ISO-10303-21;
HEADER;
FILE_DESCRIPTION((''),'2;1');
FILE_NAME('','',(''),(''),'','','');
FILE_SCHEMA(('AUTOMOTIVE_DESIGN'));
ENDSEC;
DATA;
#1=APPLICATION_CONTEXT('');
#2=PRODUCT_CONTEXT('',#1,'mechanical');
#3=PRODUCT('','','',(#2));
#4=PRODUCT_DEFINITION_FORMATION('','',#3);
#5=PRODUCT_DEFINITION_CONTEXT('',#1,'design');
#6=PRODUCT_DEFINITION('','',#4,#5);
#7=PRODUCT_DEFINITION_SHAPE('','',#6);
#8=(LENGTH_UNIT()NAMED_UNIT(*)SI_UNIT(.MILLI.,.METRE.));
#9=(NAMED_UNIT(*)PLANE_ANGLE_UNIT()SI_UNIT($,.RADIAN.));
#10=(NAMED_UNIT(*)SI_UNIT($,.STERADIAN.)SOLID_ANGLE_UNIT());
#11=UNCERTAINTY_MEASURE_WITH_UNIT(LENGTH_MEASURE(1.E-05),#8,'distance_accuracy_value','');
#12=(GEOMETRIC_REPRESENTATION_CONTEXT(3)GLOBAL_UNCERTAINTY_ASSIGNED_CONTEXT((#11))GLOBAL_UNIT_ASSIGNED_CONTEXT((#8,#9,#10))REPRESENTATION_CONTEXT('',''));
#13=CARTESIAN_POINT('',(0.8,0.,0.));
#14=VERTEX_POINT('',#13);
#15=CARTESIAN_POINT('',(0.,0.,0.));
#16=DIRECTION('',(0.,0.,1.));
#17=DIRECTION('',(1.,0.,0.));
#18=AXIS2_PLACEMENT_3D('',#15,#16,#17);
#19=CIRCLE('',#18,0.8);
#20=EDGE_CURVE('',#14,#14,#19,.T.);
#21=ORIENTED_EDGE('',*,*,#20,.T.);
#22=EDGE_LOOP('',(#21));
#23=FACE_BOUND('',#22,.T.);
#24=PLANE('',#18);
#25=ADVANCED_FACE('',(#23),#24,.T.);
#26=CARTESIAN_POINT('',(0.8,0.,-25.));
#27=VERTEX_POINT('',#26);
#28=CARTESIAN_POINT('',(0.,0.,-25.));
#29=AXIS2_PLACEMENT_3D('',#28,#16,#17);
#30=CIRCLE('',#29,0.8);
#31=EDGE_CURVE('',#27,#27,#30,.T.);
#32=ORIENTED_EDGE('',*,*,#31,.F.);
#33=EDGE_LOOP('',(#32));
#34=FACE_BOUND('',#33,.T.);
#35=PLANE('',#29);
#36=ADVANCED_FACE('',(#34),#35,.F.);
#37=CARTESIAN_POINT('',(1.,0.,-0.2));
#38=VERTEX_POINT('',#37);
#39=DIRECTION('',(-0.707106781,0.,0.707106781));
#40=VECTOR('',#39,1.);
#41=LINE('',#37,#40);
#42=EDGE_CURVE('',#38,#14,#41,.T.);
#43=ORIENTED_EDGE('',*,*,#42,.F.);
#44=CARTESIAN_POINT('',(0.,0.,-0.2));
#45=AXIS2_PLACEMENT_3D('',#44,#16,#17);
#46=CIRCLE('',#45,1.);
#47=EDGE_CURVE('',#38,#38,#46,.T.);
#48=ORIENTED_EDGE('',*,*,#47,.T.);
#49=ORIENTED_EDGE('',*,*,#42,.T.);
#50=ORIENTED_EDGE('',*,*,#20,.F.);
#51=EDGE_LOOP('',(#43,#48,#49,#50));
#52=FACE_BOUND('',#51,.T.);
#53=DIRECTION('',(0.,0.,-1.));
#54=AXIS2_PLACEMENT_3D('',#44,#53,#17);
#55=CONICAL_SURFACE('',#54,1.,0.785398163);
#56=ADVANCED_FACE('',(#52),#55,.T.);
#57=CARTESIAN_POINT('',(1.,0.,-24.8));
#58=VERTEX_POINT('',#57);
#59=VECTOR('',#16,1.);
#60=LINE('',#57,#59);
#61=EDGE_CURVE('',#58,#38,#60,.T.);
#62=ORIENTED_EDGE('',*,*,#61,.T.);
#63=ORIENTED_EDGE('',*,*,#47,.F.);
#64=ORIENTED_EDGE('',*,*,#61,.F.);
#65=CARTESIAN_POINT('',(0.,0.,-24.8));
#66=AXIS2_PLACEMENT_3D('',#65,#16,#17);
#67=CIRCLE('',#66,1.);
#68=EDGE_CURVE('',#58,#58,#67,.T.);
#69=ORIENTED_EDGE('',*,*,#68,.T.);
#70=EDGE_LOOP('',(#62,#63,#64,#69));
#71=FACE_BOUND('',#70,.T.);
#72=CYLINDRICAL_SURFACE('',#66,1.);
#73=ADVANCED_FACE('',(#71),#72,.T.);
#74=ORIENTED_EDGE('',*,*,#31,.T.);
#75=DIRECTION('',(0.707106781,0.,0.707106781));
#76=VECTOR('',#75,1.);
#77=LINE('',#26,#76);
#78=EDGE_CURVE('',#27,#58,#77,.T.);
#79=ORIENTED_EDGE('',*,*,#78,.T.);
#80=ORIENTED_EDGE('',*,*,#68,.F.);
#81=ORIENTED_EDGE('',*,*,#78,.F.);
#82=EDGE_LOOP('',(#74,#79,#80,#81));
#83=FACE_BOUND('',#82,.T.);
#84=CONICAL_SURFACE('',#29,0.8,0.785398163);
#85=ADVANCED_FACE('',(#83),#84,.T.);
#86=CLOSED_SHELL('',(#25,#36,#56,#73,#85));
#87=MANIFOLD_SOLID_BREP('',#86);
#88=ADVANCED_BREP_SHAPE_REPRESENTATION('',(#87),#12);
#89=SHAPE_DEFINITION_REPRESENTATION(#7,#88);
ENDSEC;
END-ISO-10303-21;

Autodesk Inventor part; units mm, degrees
sketch "Sketch_1" plane through (0, 0, 0) normal (0, 1, 0) x (-1, 0, 0)
  line L0 (0, 0) -> (0, -25)
  line L1 (0, -25) -> (-0.8, -25)
  line L2 (-0.8, -25) -> (-1, -24.8)
  line L3 (-1, -24.8) -> (-1, -0.2)
  line L4 (-1, -0.2) -> (-0.8, 0)
  line L5 (-0.8, 0) -> (0, 0)
  line L6 (0, 0) -> (0, -25)
revolve "Revolution1" add sketch "Sketch_1" angle 360 about axis through (0, 0, 0) along (0, 0, 1)
ref_plane "to_leaf_XY" through (0, 0, 0) normal (0, 0, 1) x (1, 0, 0)
ref_plane "to_leaf_YZ" through (0, 0, 0) normal (1, 0, 0) x (0, 1, 0)
ref_plane "to_leaf_ZX" through (0, 0, 0) normal (0, 1, 0) x (0, 0, 1)
properties part number "HHS25-PIN"
